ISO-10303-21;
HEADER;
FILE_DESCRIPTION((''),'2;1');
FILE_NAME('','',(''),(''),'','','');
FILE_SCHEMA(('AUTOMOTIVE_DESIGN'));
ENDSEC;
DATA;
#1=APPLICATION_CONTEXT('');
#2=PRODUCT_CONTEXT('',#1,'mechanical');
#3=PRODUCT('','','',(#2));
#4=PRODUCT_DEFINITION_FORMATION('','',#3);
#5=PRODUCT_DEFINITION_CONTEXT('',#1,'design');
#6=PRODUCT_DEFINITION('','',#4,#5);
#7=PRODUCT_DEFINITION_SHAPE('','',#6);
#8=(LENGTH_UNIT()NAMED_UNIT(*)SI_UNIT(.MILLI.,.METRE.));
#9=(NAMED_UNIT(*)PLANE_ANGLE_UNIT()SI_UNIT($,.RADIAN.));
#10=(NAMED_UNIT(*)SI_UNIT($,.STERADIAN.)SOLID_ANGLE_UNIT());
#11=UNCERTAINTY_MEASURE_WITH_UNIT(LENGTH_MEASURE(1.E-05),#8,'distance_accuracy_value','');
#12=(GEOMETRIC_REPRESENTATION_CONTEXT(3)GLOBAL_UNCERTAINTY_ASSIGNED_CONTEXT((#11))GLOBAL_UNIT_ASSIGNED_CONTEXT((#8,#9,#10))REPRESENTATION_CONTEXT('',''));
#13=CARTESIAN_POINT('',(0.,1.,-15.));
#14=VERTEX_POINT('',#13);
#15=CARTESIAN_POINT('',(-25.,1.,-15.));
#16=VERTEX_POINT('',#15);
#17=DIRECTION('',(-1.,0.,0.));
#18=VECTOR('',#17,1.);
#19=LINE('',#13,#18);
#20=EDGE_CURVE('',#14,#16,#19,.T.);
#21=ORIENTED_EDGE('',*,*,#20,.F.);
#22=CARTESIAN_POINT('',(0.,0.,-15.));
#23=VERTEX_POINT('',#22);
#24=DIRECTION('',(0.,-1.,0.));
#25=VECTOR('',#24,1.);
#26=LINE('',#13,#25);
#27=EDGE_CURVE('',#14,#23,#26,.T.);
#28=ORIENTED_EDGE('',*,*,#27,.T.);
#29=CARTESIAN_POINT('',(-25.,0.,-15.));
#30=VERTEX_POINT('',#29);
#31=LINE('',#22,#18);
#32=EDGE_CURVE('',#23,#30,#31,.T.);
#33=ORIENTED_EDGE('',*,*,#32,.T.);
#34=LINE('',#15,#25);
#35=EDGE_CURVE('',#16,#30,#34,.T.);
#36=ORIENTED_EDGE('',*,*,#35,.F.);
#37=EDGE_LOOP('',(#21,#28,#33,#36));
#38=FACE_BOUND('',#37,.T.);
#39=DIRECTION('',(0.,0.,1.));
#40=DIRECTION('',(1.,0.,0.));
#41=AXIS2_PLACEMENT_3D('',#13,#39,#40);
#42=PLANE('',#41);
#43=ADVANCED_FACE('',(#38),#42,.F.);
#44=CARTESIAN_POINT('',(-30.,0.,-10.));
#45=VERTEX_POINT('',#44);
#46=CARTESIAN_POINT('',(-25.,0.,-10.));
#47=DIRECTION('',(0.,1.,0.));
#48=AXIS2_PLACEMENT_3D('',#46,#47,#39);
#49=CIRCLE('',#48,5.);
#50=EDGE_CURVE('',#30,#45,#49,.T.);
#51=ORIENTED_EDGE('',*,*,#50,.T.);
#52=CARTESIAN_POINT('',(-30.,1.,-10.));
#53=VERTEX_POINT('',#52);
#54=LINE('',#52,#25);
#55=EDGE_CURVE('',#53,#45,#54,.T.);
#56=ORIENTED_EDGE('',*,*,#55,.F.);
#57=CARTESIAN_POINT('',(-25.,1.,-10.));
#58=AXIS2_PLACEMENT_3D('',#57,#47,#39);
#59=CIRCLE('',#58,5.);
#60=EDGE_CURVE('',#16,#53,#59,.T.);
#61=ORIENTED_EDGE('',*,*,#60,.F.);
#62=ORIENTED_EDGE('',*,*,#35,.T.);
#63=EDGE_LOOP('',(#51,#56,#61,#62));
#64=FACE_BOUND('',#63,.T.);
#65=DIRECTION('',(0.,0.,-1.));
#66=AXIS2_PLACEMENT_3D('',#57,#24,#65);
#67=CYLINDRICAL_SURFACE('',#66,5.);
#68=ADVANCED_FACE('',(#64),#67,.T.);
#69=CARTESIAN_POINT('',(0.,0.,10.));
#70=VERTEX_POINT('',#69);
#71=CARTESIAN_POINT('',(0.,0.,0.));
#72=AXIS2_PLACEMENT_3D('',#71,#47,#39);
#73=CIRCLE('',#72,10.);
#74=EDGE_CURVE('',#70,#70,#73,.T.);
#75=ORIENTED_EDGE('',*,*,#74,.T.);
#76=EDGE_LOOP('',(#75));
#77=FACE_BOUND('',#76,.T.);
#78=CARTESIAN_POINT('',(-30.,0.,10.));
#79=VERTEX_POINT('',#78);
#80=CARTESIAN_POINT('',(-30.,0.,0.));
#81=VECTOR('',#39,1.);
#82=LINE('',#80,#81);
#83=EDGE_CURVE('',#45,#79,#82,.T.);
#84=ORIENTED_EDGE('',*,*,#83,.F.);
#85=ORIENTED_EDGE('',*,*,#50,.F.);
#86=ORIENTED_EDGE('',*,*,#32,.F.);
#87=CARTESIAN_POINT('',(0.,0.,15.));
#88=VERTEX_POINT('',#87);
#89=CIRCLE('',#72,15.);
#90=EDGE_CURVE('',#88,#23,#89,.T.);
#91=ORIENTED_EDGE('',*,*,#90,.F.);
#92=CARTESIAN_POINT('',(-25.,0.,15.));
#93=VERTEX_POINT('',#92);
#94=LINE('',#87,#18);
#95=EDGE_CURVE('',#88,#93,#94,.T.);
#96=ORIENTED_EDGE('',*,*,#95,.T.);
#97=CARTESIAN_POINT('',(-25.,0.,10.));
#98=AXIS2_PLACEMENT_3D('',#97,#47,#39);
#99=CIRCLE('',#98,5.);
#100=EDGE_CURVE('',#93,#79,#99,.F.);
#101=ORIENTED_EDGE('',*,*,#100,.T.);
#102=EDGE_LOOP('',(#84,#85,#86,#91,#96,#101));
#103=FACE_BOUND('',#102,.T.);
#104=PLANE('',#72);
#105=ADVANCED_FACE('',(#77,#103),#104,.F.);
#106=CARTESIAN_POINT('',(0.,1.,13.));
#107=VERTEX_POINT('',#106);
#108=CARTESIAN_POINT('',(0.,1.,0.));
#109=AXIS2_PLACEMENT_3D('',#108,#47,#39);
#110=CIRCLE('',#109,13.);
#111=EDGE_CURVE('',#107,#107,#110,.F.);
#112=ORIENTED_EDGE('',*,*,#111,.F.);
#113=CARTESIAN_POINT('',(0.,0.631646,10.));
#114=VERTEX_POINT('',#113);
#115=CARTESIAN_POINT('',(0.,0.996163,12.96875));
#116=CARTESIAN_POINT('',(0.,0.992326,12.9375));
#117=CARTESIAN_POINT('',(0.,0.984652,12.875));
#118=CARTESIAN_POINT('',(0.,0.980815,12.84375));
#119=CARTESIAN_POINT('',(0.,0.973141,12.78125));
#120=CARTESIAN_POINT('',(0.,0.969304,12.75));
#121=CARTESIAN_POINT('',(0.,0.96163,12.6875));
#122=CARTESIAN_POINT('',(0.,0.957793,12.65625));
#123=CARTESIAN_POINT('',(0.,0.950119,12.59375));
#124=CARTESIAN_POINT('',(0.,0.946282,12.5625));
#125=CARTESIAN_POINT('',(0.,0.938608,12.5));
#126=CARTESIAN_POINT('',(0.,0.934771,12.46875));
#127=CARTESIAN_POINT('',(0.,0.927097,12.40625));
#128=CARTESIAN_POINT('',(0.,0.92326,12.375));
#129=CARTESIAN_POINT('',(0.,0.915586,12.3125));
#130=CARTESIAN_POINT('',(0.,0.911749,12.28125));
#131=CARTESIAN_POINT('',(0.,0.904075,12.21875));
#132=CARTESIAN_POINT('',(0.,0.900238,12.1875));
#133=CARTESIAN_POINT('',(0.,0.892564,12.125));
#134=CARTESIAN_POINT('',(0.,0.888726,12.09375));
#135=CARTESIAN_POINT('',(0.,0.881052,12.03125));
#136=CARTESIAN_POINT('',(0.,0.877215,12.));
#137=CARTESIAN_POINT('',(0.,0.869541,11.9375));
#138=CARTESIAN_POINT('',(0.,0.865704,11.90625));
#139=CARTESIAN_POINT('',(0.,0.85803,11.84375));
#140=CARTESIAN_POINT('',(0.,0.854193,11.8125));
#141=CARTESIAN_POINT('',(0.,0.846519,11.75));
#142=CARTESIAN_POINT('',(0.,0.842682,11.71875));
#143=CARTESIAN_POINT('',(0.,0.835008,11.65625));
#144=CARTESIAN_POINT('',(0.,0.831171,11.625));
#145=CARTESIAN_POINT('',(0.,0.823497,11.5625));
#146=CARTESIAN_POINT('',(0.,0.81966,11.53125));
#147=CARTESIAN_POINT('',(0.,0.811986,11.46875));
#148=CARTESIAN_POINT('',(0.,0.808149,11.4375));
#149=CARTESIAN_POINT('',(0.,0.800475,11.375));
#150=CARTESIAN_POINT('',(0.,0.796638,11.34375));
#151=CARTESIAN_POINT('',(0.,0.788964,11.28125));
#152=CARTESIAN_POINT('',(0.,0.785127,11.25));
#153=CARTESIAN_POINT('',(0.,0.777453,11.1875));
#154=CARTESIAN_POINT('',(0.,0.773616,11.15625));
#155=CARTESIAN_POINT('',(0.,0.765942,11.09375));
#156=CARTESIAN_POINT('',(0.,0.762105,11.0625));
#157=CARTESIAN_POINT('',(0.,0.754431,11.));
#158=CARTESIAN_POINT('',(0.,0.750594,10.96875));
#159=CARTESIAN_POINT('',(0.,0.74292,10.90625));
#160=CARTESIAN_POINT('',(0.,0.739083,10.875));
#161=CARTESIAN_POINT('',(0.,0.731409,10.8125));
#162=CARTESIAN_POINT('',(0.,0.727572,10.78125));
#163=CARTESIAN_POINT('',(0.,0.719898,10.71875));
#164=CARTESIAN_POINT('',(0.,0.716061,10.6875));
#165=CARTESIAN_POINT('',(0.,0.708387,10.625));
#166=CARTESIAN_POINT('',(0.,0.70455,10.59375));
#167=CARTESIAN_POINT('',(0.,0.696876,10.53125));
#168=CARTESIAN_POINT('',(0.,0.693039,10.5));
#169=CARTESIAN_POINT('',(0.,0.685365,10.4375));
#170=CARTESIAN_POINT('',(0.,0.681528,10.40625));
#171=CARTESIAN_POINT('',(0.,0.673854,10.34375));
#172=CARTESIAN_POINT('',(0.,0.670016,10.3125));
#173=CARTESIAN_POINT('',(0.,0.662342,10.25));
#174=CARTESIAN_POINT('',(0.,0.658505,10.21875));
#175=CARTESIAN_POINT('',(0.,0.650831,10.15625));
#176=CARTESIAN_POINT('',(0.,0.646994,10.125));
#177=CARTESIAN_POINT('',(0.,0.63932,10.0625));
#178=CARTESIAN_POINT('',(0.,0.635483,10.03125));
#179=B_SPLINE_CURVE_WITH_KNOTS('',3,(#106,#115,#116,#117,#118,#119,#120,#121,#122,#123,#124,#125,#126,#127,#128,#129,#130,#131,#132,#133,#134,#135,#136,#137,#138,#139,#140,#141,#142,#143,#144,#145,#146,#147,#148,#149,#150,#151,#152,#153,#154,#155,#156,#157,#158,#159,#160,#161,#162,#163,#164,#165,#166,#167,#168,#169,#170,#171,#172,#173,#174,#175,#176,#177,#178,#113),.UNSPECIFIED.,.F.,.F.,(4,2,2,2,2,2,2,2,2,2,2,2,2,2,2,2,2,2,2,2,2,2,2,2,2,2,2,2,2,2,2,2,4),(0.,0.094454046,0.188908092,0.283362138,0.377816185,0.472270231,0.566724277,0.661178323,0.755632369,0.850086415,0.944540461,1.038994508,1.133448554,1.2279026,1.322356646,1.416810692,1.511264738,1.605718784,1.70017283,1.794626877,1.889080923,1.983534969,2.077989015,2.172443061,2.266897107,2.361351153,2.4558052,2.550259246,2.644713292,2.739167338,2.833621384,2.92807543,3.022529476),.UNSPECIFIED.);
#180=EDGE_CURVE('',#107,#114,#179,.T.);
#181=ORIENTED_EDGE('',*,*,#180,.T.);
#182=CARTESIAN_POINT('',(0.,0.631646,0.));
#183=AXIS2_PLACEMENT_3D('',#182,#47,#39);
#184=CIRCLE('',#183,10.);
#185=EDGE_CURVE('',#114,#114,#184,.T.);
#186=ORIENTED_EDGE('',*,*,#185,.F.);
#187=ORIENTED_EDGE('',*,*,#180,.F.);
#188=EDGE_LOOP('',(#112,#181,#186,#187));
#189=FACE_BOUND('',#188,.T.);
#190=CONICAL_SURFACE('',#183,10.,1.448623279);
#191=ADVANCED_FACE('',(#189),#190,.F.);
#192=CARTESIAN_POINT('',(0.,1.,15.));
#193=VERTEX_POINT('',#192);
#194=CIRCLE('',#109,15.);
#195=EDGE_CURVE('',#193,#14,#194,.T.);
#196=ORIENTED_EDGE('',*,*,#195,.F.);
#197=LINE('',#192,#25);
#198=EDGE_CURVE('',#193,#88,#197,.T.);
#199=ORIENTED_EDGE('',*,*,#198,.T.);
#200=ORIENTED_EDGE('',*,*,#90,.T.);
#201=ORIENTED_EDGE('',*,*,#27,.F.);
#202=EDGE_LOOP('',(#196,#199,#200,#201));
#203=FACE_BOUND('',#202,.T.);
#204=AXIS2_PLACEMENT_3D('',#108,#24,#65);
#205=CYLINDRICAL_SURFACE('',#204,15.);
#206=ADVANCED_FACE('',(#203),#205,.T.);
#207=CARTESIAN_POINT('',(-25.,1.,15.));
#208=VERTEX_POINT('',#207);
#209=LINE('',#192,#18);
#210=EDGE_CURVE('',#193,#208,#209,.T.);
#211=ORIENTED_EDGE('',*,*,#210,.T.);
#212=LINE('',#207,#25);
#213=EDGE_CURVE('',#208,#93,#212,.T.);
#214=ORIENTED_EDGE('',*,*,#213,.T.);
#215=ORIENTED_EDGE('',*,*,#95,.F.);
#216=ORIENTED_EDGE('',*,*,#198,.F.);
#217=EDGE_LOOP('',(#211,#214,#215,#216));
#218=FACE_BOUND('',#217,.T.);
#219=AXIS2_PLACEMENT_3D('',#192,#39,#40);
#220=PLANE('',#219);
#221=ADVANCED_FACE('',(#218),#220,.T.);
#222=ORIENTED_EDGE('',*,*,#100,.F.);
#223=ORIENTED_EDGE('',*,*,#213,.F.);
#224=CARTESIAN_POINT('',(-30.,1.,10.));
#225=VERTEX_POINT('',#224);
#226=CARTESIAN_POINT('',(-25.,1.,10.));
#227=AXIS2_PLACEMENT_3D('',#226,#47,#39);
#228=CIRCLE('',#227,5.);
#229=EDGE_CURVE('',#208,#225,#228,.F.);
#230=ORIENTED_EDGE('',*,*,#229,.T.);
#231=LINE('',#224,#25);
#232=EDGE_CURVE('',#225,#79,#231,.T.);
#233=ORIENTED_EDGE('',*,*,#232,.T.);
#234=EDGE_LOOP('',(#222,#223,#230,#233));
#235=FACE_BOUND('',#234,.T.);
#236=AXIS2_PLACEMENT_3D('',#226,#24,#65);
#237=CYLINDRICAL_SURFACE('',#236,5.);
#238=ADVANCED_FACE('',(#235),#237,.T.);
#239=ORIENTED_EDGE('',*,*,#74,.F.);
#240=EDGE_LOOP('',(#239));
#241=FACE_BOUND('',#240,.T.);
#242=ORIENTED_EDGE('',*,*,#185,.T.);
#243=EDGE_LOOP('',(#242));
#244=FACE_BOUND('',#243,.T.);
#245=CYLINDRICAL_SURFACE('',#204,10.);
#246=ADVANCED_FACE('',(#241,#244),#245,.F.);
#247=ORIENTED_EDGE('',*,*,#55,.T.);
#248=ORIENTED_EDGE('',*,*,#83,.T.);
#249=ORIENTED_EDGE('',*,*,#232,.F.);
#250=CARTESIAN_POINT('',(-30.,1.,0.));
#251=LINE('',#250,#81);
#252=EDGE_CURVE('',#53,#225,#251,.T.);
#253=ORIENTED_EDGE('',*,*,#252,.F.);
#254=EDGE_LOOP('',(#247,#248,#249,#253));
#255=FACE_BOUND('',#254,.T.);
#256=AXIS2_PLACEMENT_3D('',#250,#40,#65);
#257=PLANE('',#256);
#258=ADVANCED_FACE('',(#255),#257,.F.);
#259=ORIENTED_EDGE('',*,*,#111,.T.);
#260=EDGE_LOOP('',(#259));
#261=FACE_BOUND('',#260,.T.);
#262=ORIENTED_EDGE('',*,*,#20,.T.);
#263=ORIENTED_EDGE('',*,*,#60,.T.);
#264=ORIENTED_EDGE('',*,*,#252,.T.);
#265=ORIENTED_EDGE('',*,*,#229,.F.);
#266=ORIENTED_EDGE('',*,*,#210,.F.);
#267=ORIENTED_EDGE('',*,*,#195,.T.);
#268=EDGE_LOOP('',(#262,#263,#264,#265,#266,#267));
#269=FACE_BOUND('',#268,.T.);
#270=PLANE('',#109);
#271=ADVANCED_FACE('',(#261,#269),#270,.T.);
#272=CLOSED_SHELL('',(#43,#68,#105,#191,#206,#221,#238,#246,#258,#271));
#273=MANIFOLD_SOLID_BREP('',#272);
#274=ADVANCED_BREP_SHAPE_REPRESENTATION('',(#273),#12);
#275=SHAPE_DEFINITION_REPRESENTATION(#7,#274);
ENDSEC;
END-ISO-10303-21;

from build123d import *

# Parameters (mm, degrees)
SKETCH1_R           = 10
BOSS_EXTRUDE1_DEPTH = 1
CHAMFER1_SIZE       = 3
CHAMFER1_SIZE2      = 0.368353683


with BuildPart() as part:
    # Sketch1 → Boss-Extrude1 (new body)
    with BuildSketch(Plane(origin=(0, 0, 0), x_dir=(1, 0, 0), z_dir=(0, 1, 0))):
        with BuildLine():
            Line((0, 15), (-25, 15))
            ThreePointArc((-25, 15), (-28.535533906, 13.535533906), (-30, 10))
            Line((-30, 10), (-30, -10))
            ThreePointArc((-30, -10), (-28.535533906, -13.535533906), (-25, -15))
            Line((-25, -15), (0, -15))
            ThreePointArc((0, -15), (15, 0), (0, 15))
        make_face()
        with Locations(Location((0, 0, 0), (0, 0, 270))):
            Circle(SKETCH1_R, mode=Mode.SUBTRACT)
    extrude(amount=BOSS_EXTRUDE1_DEPTH)

    # Chamfer1
    chamfer1_edges = [part.edges().sort_by_distance(p)[0] for p in [
        (0, 1, -10),
    ]]
    chamfer1_side = [part.faces().sort_by_distance(p)[0] for p in [
        (-11.782026839, 1, 0),
    ]]
    chamfer(chamfer1_edges, length=CHAMFER1_SIZE, length2=CHAMFER1_SIZE2, reference=chamfer1_side[0])


solid = part.part
